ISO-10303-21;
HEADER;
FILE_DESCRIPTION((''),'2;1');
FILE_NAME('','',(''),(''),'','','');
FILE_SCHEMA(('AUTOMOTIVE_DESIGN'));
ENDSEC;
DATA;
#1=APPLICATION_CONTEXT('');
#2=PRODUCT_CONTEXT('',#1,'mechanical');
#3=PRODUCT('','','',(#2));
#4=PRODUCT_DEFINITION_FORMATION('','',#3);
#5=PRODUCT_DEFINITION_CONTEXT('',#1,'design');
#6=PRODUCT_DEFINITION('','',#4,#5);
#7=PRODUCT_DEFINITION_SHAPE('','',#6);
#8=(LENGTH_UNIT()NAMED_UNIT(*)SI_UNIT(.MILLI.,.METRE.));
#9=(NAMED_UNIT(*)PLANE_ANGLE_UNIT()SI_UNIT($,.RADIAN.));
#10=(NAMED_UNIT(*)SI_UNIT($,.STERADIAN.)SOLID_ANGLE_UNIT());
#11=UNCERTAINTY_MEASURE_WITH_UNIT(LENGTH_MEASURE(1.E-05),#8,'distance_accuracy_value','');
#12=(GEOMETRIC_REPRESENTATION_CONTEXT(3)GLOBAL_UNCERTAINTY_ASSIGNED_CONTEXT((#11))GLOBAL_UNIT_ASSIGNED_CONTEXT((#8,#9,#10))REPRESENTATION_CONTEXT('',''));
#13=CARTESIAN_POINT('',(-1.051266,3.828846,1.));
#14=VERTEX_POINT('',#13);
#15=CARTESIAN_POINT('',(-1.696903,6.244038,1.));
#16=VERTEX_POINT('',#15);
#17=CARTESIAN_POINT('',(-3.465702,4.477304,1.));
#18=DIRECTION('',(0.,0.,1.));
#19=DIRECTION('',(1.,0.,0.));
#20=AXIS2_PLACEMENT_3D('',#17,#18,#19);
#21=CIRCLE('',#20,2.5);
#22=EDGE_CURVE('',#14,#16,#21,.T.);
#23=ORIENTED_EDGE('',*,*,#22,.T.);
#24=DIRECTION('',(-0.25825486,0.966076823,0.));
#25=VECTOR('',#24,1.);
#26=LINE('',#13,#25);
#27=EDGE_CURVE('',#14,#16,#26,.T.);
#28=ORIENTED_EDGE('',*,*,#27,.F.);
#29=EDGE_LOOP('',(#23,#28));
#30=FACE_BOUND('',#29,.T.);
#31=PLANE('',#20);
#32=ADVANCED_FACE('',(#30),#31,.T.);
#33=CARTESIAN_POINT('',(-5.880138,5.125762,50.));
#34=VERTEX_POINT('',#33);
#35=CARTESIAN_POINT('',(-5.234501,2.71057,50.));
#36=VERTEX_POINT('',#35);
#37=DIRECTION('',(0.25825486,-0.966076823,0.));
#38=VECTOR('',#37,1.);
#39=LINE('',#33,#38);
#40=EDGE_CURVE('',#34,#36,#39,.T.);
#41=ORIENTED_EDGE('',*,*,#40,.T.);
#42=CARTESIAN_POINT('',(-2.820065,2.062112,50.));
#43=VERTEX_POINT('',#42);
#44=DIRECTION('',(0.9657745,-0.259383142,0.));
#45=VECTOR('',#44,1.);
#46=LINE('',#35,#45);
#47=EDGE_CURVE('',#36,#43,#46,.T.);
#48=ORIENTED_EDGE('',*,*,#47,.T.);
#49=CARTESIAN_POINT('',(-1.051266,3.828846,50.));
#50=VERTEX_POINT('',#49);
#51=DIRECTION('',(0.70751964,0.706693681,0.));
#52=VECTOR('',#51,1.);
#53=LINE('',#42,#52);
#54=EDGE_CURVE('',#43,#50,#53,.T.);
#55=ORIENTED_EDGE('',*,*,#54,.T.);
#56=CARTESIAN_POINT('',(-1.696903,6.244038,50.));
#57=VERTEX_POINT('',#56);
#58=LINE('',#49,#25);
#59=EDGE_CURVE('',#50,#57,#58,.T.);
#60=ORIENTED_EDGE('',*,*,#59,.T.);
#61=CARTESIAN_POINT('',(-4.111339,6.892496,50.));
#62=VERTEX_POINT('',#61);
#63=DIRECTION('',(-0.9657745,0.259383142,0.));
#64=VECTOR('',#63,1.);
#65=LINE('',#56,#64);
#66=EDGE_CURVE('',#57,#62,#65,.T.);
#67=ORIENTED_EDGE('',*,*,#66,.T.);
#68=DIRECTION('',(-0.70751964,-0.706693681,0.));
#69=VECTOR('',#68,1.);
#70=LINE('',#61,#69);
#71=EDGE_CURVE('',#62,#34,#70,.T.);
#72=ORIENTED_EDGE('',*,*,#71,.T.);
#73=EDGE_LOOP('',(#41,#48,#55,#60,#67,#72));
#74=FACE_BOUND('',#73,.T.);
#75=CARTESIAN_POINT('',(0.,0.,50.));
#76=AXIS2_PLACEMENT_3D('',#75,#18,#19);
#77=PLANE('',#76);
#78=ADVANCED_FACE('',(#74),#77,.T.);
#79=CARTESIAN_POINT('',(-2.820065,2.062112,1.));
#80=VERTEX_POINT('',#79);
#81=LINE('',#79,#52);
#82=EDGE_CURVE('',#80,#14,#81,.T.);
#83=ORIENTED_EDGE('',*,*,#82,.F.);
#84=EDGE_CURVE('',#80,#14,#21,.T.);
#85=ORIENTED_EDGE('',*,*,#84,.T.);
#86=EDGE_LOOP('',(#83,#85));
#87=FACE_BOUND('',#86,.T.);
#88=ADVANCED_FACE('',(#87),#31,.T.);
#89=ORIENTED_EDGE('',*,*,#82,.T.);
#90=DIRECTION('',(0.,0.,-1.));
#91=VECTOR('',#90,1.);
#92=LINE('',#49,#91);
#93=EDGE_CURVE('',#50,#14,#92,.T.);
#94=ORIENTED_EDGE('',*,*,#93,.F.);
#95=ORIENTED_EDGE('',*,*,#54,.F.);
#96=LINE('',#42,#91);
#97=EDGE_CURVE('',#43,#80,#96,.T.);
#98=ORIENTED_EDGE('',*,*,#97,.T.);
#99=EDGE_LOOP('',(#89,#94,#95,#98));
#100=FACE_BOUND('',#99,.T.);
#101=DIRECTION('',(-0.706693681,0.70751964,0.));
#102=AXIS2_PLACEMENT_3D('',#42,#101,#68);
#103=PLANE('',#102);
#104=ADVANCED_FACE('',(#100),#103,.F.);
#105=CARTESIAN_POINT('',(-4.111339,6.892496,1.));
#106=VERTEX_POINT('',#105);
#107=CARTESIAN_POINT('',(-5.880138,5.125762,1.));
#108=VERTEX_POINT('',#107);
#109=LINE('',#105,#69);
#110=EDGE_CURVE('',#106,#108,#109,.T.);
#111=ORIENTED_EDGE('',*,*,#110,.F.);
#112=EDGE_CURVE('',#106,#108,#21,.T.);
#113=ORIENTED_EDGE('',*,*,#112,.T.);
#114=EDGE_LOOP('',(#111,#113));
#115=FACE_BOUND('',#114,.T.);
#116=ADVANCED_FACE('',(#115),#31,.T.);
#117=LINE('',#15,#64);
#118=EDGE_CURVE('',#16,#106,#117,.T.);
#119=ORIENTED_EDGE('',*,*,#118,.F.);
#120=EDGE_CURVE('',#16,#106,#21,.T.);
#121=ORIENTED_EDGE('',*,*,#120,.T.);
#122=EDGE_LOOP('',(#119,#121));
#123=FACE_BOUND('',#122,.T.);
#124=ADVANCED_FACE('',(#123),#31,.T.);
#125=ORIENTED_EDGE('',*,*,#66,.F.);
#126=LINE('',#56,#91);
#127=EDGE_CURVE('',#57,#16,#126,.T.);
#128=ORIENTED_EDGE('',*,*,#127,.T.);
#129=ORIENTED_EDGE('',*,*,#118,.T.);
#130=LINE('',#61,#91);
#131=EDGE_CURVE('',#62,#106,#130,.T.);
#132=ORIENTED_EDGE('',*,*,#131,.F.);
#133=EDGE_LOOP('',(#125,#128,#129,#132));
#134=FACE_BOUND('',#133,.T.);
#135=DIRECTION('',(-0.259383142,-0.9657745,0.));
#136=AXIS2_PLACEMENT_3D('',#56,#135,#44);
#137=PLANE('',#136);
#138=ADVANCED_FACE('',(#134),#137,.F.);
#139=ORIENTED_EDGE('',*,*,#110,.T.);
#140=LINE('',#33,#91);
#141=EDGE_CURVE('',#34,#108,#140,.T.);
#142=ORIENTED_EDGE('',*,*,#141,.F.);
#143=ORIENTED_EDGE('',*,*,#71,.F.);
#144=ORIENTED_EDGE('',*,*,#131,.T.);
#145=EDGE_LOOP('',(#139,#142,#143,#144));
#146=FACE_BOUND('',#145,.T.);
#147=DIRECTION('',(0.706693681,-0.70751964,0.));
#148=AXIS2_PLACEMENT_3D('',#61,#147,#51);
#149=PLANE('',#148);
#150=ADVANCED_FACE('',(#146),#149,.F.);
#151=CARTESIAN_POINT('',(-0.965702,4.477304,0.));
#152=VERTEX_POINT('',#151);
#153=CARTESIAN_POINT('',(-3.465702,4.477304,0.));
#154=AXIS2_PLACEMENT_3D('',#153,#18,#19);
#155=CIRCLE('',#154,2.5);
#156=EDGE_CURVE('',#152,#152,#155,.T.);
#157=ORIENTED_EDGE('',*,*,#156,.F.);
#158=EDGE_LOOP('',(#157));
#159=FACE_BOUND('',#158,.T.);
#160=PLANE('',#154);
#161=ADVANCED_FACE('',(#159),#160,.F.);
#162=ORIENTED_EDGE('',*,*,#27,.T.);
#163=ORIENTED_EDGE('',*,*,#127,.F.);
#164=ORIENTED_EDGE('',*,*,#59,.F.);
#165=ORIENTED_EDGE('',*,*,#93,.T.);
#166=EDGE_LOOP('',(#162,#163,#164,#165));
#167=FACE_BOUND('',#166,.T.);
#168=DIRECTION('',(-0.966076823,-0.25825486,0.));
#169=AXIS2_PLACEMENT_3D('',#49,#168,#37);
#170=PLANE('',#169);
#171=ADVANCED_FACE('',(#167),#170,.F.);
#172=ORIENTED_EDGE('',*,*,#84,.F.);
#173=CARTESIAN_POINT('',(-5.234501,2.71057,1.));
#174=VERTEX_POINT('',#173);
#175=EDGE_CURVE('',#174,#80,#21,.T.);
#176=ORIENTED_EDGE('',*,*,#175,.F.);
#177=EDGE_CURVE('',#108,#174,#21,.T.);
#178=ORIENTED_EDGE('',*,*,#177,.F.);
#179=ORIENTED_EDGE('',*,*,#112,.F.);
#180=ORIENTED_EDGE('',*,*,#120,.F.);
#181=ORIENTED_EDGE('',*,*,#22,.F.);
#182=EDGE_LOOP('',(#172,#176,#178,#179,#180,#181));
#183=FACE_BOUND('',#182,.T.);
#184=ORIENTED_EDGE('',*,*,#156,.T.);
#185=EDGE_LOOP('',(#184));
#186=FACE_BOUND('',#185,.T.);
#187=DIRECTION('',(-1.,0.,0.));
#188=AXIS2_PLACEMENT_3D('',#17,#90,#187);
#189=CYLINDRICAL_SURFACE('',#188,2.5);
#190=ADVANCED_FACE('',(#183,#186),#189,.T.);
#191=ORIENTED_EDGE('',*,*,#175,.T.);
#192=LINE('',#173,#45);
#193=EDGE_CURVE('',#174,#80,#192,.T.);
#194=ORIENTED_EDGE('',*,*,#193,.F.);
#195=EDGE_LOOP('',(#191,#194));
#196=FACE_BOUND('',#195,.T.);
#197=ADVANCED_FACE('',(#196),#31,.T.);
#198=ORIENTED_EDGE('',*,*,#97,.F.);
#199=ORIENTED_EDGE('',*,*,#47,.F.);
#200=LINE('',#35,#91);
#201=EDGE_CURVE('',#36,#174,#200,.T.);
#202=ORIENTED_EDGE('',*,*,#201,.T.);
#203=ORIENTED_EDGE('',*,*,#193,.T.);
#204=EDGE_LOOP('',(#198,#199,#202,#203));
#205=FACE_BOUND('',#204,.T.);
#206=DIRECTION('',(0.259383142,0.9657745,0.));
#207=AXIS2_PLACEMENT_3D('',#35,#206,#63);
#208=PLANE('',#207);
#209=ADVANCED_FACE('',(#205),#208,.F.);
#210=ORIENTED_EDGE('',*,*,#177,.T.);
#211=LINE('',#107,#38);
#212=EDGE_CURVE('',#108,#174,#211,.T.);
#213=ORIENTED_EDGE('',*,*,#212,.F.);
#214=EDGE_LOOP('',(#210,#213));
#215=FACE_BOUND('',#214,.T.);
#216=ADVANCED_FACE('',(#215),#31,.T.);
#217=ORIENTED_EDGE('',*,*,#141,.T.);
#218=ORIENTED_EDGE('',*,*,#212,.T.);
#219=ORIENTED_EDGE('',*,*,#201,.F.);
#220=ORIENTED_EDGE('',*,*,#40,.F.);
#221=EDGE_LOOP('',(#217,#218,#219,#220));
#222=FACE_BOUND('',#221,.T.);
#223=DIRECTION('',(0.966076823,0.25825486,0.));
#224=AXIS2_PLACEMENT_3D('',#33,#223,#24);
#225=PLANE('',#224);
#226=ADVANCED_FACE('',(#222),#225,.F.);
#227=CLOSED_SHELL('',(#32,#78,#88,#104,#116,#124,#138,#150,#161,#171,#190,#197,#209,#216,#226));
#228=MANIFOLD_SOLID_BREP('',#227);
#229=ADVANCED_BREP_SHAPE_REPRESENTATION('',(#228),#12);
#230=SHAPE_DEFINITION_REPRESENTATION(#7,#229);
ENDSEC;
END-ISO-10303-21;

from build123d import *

# Parameters (mm, degrees)
CROQUIS1_R              = 2.5
SALIENTE_EXTRUIR2_DEPTH = 1
SALIENTE_EXTRUIR3_DEPTH = 49


with BuildPart() as part:
    # Croquis1 → Saliente-Extruir2 (new body)
    with BuildSketch(Plane.XY):
        with Locations((-3.465701934, 4.477303942)):
            Circle(CROQUIS1_R)
    extrude(amount=SALIENTE_EXTRUIR2_DEPTH)

    # Croquis2 → Saliente-Extruir3 (add)
    with BuildSketch(Plane.XY.offset(1)):
        Polygon((-1.051265683, 3.828846087), (-1.696902833, 6.244038144), (-4.111339084, 6.892495999), (-5.880138185, 5.125761797), (-5.234501035, 2.71056974), (-2.820064784, 2.062111885), align=None)
    extrude(amount=SALIENTE_EXTRUIR3_DEPTH)


solid = part.part
